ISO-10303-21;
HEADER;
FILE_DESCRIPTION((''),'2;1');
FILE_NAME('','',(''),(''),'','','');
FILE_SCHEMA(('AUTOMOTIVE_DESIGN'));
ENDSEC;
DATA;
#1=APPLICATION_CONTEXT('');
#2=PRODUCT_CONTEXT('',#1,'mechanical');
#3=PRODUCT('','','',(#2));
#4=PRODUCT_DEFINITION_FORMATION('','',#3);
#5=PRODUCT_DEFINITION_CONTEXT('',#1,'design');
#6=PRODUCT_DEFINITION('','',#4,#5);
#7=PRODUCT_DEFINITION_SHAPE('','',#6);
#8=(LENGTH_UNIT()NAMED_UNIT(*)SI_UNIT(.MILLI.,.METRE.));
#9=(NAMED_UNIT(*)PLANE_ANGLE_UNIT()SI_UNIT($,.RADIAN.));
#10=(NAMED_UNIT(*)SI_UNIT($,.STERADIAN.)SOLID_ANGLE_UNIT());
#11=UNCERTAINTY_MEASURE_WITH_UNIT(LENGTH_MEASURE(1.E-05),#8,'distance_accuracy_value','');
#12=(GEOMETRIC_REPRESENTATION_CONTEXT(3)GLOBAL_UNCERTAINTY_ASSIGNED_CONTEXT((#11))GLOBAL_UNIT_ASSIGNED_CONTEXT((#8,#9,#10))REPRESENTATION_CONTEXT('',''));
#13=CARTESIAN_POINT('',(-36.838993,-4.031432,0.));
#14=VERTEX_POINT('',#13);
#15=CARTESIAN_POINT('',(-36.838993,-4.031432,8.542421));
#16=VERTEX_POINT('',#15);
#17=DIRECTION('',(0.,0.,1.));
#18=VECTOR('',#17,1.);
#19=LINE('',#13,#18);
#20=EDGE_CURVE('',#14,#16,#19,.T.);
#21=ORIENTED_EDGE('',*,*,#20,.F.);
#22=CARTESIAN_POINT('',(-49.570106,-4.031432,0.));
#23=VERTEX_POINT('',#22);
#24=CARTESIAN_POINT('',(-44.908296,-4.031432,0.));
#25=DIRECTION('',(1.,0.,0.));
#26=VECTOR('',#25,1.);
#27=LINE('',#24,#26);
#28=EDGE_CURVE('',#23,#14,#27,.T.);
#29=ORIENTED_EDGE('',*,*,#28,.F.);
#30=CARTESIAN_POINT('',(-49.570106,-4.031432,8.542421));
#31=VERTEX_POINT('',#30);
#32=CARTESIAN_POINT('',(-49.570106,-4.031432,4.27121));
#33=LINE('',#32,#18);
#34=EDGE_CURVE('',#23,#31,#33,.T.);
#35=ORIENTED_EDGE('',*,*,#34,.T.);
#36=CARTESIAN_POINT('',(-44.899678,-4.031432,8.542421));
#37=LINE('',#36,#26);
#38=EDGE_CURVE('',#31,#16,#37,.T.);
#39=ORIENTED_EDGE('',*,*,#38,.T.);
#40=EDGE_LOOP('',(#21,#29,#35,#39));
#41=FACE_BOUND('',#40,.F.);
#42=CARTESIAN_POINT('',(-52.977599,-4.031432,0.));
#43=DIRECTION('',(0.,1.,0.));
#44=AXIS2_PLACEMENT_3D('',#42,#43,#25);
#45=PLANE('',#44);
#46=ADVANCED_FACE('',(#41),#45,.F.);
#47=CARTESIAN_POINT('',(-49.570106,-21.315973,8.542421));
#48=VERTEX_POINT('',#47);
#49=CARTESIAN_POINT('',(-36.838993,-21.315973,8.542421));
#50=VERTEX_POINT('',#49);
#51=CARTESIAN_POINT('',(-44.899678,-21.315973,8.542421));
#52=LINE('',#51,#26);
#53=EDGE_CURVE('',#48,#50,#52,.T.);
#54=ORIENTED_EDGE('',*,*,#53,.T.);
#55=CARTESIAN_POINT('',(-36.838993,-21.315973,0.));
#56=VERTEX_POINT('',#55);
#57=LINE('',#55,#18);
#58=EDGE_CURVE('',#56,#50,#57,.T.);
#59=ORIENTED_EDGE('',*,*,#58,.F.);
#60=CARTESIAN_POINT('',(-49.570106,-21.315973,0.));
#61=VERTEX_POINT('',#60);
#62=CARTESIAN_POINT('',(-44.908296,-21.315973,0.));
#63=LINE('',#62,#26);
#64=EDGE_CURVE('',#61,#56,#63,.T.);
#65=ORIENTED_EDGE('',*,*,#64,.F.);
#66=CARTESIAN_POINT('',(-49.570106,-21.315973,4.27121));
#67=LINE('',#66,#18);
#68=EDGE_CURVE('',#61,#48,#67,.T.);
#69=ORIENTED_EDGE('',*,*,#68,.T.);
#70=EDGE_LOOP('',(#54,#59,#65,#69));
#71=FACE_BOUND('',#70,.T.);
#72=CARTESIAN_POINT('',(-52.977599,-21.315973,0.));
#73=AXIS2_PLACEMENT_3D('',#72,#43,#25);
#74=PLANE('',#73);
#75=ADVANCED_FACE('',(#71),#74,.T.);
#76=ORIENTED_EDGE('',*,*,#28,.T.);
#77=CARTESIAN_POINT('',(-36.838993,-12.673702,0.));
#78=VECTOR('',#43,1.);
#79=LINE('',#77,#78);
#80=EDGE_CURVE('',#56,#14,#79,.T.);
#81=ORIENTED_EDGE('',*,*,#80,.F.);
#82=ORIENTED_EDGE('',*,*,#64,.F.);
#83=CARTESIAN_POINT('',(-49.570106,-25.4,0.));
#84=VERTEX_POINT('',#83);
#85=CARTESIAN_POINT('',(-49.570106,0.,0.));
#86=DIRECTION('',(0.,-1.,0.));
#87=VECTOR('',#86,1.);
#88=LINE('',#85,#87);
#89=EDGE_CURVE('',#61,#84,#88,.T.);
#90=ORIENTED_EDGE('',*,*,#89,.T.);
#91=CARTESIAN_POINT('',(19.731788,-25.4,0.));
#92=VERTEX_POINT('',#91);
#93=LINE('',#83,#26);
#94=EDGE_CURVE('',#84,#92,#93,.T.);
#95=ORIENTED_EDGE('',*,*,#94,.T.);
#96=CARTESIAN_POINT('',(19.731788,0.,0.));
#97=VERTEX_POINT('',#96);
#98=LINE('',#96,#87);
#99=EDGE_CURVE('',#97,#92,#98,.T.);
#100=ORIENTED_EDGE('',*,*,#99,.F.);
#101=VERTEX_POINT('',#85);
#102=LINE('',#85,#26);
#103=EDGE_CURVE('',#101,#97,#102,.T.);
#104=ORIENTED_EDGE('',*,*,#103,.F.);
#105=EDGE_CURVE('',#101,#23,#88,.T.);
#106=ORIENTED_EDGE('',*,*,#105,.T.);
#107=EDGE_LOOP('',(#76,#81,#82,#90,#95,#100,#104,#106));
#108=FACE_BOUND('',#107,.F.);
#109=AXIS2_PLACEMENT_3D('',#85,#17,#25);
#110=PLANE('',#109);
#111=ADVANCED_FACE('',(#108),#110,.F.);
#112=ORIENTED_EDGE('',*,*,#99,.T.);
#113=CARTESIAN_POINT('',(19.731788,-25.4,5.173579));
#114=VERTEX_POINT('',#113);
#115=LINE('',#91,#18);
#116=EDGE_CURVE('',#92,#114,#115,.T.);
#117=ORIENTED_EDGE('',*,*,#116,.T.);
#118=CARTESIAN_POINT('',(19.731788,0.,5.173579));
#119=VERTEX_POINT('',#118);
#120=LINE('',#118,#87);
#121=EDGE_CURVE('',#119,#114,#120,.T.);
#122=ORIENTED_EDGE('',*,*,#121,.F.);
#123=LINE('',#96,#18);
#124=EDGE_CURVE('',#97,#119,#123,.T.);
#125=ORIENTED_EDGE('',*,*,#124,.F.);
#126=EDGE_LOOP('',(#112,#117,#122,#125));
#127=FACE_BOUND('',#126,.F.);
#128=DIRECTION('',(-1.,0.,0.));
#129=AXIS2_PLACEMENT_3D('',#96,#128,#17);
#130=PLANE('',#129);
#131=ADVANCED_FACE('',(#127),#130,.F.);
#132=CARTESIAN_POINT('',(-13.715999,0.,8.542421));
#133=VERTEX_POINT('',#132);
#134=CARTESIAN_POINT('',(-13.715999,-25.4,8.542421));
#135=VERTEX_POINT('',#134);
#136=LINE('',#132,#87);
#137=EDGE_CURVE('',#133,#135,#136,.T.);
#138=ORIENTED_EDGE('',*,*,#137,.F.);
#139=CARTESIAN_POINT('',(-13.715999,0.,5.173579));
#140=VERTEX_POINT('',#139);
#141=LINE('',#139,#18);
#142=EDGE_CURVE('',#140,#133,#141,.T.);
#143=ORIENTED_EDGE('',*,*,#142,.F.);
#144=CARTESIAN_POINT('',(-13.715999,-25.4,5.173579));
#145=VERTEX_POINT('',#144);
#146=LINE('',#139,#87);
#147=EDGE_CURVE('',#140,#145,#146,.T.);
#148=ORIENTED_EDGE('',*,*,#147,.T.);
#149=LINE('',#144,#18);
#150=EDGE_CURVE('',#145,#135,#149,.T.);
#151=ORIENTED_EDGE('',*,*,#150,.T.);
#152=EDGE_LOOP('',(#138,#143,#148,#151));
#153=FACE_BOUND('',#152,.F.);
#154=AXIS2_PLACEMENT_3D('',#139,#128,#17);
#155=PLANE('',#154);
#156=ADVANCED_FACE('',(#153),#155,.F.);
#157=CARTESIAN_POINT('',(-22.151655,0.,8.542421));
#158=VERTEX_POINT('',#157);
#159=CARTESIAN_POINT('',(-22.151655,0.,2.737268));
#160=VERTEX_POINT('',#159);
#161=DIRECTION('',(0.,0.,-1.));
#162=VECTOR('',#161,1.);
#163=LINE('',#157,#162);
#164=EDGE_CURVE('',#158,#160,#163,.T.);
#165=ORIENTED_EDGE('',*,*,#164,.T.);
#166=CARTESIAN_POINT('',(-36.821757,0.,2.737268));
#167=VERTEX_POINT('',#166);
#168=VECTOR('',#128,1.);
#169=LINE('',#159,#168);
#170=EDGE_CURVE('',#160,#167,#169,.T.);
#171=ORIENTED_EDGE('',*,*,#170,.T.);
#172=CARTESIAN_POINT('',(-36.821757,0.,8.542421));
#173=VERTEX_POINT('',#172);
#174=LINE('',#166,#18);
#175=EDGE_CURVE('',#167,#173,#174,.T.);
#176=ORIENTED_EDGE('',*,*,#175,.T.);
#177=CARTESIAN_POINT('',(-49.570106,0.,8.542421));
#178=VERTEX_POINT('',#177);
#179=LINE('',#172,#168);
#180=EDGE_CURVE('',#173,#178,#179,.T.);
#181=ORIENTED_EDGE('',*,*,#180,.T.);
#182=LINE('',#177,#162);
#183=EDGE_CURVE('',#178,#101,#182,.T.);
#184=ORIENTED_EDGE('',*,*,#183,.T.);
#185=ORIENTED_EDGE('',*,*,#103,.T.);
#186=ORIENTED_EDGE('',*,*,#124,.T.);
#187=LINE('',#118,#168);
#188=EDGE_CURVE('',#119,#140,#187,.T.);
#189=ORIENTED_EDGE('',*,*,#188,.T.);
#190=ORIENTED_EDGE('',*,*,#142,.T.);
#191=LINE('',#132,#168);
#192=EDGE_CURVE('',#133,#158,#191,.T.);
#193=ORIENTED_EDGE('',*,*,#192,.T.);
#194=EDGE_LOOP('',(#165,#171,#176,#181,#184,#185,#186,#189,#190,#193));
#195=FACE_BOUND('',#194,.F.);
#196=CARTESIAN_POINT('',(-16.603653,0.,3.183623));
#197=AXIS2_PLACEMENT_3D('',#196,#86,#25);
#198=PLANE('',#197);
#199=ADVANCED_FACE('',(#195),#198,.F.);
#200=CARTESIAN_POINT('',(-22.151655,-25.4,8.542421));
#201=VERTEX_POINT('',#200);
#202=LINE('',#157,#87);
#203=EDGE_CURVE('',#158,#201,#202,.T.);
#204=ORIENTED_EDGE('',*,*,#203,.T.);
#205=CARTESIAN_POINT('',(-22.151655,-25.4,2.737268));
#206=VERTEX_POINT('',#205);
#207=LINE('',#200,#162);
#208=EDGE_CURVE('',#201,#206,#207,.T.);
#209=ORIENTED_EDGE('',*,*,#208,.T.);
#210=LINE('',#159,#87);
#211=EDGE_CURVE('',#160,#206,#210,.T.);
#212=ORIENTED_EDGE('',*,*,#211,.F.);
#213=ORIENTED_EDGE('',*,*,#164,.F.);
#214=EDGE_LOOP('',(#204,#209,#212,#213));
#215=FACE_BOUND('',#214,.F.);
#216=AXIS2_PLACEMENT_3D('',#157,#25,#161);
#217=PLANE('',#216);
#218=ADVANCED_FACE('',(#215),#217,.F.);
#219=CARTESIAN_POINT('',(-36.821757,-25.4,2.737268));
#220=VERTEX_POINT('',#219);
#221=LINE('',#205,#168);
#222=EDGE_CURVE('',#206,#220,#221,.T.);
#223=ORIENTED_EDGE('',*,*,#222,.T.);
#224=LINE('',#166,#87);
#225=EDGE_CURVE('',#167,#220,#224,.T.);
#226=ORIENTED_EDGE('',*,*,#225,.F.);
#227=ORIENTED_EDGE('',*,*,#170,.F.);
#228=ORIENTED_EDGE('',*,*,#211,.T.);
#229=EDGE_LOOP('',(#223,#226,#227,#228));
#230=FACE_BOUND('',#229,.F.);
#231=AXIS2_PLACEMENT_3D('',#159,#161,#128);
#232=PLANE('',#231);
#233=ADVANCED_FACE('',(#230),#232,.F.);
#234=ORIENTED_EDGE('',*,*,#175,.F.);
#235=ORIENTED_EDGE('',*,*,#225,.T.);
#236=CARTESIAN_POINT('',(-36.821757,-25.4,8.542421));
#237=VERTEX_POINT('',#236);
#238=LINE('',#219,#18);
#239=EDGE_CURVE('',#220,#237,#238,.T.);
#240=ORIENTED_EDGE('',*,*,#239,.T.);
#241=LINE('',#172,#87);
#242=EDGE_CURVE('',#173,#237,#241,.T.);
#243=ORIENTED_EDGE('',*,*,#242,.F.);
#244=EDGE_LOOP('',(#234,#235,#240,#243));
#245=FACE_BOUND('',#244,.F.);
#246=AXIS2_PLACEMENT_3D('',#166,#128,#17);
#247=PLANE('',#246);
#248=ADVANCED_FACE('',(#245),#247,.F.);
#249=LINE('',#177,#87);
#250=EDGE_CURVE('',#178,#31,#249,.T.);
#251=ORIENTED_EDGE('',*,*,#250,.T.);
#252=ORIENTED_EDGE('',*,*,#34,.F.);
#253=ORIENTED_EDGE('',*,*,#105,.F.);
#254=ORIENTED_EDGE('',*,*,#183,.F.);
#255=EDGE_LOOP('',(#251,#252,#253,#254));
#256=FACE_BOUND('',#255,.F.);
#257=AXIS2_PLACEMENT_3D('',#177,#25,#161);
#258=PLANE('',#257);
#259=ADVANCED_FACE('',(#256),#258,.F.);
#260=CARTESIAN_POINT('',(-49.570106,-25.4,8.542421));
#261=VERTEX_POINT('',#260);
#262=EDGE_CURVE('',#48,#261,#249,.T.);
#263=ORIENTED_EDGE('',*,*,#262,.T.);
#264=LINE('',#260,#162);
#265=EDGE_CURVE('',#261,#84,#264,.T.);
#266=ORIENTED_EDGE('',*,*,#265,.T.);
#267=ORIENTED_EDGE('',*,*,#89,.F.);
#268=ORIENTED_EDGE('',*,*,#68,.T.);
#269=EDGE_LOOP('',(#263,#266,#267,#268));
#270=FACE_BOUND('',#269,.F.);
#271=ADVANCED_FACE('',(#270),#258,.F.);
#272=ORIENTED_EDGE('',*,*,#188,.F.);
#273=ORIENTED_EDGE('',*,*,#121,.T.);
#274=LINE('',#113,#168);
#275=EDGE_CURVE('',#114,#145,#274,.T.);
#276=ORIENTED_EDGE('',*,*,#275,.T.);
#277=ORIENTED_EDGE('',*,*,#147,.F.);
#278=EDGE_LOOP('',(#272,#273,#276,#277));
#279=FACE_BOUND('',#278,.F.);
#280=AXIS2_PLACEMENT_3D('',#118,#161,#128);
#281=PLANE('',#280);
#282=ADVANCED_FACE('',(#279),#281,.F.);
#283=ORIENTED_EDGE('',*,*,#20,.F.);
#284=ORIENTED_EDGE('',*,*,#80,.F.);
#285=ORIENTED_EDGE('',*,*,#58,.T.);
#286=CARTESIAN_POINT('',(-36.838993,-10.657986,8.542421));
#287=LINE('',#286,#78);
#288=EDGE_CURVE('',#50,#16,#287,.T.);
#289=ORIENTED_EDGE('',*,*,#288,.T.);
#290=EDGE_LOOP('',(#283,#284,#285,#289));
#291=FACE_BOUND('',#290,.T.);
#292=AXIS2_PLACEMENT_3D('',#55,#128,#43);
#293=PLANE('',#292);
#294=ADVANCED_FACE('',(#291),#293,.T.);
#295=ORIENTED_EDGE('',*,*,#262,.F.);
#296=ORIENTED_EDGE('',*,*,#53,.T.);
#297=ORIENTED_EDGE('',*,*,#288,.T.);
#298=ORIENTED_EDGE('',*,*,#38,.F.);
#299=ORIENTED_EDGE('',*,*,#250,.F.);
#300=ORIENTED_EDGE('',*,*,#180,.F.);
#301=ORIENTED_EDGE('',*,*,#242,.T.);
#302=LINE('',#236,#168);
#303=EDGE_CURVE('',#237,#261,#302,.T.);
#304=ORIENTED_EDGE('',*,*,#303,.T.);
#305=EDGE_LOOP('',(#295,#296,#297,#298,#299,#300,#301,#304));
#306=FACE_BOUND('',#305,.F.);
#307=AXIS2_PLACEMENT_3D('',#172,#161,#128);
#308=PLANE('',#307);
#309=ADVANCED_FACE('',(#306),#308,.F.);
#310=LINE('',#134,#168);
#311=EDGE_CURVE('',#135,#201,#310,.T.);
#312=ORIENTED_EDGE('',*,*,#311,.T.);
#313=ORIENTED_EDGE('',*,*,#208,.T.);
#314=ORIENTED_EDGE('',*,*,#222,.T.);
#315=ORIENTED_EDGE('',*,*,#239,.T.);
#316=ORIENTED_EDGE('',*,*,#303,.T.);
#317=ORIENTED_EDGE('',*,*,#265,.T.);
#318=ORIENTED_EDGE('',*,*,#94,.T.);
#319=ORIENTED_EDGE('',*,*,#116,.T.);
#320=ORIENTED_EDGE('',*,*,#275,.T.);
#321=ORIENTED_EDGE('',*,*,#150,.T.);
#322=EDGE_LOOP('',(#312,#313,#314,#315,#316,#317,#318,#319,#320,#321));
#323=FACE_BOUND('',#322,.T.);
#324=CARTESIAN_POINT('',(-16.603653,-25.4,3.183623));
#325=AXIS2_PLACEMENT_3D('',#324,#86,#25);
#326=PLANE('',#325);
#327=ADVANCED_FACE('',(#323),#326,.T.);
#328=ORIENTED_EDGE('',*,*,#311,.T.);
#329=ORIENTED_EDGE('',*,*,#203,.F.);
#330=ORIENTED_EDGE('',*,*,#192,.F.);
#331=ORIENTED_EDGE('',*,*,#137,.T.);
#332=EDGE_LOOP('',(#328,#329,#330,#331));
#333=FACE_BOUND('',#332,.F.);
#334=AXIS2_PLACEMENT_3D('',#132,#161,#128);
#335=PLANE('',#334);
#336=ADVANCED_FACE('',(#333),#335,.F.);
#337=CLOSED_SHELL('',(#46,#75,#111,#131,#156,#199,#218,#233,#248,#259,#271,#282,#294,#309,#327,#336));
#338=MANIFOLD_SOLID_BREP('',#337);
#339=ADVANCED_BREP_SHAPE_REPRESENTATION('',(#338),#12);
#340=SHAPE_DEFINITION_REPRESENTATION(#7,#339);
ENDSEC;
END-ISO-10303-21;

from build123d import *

# Parameters (mm, degrees)
F1_DEPTH = 25.4
F2_W     = 16.138606
F2_H     = 17.284541
F3_DEPTH = 8.543421


with BuildPart() as f1:
    # F0 (on Front) → F1 (new body)
    with BuildSketch(Plane.XZ):
        Polygon((-36.821757, 8.542421), (-49.570106, 8.542421), (-49.570106, 0), (19.731788, 0), (19.731788, 5.173579), (-13.715999, 5.173579), (-13.715999, 8.542421), (-22.151655, 8.542421), (-22.151655, 2.737268), (-36.821757, 2.737268), align=None)
    extrude(amount=F1_DEPTH)

    # F2 (on Top) → F3 (cut, through all)
    with BuildSketch(Plane.XY):
        with Locations((-44.908296, -12.673702)):
            Rectangle(F2_W, F2_H)
    extrude(amount=F3_DEPTH, mode=Mode.SUBTRACT)


solid = f1.part
